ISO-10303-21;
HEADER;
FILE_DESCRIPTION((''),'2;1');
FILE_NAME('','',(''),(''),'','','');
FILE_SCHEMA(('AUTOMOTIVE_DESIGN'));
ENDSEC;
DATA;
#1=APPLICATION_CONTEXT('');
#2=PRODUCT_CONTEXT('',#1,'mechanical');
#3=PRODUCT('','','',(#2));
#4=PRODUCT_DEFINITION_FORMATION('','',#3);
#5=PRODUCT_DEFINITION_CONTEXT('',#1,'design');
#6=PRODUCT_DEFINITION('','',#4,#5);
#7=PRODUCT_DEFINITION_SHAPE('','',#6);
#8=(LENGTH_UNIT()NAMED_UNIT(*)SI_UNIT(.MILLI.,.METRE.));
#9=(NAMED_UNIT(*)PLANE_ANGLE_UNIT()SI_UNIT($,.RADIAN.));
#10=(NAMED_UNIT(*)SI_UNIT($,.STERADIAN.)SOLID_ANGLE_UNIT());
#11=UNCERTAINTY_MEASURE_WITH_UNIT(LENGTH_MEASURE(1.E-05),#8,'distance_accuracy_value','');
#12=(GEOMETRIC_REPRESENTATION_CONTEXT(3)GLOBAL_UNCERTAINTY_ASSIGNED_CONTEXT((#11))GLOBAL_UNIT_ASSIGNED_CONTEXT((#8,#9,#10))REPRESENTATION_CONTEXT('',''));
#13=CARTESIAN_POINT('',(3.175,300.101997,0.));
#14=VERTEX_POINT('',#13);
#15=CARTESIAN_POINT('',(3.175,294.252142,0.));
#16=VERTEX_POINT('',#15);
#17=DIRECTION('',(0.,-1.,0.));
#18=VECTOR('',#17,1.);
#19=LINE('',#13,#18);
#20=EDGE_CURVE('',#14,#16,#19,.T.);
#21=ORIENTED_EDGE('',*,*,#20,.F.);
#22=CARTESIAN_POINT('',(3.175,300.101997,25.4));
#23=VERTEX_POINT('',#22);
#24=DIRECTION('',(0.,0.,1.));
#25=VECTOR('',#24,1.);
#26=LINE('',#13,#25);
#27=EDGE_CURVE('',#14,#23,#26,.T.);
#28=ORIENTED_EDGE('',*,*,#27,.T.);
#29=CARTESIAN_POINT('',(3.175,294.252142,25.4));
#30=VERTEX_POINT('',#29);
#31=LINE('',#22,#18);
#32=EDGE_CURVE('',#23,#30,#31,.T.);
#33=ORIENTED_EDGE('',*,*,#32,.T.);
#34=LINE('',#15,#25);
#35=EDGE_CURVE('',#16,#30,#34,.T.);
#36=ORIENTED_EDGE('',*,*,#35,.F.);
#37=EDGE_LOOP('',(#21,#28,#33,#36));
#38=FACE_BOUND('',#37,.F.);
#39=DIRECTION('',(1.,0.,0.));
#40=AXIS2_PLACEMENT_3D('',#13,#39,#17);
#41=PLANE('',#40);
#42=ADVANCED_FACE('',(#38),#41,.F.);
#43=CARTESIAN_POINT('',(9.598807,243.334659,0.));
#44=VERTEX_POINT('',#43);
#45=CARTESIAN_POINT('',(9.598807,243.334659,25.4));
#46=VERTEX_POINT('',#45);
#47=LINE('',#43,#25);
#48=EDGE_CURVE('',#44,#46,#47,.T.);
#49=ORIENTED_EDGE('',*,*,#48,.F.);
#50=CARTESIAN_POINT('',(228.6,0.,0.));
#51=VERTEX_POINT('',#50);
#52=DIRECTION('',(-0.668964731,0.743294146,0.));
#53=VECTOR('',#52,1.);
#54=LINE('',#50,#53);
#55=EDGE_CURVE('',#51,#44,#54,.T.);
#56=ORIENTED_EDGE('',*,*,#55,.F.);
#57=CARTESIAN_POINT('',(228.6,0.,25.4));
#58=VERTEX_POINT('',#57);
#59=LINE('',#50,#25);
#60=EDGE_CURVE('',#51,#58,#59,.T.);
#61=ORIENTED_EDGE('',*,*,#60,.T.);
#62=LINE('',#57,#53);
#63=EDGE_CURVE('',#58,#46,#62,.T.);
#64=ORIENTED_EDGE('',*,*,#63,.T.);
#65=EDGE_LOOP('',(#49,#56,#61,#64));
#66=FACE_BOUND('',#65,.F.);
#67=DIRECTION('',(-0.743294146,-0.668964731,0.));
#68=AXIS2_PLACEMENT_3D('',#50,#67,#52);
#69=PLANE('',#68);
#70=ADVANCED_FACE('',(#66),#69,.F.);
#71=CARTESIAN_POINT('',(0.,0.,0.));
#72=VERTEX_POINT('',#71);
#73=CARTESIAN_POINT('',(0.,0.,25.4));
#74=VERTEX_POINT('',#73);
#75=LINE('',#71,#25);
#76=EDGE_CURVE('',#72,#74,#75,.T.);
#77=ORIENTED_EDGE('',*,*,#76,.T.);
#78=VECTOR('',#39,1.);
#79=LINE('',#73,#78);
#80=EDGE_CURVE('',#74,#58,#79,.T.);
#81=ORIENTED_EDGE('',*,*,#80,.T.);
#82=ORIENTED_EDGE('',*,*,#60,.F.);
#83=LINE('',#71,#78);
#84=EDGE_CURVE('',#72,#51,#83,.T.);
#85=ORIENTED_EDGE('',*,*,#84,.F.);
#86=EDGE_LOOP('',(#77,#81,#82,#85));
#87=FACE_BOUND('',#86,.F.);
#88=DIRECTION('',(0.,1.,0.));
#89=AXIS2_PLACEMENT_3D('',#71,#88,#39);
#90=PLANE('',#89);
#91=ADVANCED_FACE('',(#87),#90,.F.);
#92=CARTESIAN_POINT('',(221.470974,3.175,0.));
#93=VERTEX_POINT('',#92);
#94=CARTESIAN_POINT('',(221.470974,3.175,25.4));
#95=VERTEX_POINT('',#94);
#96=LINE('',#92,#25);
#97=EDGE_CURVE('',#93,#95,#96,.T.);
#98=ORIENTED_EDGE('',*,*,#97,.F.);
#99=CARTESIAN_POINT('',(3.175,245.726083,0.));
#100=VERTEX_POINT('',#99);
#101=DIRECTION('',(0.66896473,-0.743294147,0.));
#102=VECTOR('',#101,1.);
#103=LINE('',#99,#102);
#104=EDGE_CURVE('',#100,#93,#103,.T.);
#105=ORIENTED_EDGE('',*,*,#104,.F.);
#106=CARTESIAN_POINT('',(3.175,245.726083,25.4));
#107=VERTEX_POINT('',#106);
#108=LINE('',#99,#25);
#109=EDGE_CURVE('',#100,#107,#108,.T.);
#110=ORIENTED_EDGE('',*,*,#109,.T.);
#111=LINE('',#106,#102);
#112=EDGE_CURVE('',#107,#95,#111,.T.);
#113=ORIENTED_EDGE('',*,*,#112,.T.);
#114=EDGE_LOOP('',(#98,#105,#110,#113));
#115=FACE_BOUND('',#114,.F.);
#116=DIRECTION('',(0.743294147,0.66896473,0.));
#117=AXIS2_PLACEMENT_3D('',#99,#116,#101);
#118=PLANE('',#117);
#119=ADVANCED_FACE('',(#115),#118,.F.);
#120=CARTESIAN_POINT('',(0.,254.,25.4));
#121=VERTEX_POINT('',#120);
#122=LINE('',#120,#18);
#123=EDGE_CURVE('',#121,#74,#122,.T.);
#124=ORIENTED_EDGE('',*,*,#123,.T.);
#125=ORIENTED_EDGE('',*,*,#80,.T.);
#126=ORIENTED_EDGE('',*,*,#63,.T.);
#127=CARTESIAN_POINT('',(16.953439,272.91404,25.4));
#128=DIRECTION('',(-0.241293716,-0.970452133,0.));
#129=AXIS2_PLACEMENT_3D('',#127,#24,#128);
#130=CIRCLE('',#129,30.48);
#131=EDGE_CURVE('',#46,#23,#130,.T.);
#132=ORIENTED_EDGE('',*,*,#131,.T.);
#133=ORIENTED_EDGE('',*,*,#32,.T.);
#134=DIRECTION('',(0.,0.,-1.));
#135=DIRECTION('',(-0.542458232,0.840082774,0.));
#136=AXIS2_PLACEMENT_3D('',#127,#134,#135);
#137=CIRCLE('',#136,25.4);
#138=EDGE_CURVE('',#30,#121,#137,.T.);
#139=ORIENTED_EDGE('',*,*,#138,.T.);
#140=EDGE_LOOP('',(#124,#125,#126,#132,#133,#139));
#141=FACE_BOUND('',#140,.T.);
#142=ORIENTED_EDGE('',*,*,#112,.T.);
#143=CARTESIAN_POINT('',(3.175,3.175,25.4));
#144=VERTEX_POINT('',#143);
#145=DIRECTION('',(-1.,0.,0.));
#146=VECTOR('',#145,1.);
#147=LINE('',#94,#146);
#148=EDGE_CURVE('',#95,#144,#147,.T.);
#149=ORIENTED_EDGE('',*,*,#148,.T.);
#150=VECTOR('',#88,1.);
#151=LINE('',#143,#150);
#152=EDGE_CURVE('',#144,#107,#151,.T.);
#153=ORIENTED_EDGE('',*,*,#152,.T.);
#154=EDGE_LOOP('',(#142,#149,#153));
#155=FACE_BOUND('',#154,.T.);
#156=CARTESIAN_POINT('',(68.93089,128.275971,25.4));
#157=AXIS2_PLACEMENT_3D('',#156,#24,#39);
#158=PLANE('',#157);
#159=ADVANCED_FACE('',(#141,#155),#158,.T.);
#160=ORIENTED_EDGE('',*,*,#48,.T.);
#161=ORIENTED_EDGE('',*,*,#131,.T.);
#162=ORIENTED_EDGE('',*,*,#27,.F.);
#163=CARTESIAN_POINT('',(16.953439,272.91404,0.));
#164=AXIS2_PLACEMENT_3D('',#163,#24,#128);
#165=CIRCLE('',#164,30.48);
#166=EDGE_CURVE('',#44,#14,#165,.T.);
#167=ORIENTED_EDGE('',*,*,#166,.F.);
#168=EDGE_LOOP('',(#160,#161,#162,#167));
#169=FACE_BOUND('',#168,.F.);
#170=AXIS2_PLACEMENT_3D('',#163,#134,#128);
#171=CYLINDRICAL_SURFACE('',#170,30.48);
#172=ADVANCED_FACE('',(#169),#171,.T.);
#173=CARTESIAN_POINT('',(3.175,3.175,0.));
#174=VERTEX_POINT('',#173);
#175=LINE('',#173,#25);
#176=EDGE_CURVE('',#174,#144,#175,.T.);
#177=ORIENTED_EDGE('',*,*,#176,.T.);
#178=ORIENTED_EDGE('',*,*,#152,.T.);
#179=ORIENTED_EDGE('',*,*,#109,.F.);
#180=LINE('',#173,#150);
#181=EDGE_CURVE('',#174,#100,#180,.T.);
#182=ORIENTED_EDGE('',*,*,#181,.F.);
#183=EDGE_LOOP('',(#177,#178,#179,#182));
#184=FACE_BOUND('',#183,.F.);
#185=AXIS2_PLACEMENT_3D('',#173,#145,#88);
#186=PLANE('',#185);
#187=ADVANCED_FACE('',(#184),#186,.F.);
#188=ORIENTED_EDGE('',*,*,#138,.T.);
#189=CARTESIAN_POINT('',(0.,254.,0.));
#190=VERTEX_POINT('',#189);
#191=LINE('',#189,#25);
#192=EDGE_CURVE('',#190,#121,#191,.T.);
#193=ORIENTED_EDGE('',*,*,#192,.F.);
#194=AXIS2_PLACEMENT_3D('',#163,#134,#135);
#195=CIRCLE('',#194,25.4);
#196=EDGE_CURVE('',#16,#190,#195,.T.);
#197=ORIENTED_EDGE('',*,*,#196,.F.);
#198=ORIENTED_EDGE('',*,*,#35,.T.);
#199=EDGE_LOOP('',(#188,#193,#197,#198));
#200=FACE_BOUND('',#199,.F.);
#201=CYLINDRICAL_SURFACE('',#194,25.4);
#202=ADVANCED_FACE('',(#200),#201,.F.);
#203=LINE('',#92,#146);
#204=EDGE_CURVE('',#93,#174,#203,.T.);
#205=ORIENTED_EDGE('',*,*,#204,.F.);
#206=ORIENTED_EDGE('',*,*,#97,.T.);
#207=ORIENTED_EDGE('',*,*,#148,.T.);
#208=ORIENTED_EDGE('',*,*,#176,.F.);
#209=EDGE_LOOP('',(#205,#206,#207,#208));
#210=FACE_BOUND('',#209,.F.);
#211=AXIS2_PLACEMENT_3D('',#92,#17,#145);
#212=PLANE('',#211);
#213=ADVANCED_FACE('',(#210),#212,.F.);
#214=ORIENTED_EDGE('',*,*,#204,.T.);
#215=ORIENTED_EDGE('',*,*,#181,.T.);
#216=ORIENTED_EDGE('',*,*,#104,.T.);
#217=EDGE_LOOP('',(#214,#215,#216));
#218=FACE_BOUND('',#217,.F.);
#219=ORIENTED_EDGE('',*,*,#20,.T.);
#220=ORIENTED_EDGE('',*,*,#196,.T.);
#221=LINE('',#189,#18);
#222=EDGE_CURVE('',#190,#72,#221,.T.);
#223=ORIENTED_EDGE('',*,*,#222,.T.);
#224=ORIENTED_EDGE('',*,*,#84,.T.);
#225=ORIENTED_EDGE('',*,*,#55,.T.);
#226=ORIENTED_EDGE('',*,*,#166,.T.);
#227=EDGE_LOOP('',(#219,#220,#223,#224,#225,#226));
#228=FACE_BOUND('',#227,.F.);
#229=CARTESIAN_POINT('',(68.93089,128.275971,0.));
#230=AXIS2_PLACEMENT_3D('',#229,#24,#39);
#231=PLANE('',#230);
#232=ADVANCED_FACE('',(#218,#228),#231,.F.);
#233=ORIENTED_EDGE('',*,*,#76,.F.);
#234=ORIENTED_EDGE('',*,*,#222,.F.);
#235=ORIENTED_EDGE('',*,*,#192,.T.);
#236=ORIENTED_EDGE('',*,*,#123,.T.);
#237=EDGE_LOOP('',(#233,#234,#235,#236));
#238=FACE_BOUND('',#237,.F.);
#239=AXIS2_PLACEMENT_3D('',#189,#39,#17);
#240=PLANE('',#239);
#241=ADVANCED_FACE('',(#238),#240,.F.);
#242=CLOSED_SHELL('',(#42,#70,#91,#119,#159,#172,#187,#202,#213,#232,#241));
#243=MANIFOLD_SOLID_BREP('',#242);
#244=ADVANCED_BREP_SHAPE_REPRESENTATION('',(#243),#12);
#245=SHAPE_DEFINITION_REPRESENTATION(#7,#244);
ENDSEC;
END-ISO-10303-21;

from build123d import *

# Parameters (mm, degrees)
F1_DEPTH = 25.4


with BuildPart() as f1:
    # F0 (on Top) → F1 (new body)
    with BuildSketch(Plane.XY):
        with BuildLine():
            Line((0, 254), (0, 0))
            Line((0, 0), (228.6, 0))
            Line((228.6, 0), (9.598807, 243.334659))
            ThreePointArc((9.598807, 243.334659), (47.240142, 276.341291), (3.175, 300.101997))
            Line((3.175, 300.101997), (3.175, 294.252142))
            ThreePointArc((3.175, 294.252142), (42.27479, 270.916748), (0, 254))
        make_face()
        Polygon((221.470974, 3.175), (3.175, 3.175), (3.175, 245.726083), align=None, mode=Mode.SUBTRACT)
    extrude(amount=F1_DEPTH)


solid = f1.part
